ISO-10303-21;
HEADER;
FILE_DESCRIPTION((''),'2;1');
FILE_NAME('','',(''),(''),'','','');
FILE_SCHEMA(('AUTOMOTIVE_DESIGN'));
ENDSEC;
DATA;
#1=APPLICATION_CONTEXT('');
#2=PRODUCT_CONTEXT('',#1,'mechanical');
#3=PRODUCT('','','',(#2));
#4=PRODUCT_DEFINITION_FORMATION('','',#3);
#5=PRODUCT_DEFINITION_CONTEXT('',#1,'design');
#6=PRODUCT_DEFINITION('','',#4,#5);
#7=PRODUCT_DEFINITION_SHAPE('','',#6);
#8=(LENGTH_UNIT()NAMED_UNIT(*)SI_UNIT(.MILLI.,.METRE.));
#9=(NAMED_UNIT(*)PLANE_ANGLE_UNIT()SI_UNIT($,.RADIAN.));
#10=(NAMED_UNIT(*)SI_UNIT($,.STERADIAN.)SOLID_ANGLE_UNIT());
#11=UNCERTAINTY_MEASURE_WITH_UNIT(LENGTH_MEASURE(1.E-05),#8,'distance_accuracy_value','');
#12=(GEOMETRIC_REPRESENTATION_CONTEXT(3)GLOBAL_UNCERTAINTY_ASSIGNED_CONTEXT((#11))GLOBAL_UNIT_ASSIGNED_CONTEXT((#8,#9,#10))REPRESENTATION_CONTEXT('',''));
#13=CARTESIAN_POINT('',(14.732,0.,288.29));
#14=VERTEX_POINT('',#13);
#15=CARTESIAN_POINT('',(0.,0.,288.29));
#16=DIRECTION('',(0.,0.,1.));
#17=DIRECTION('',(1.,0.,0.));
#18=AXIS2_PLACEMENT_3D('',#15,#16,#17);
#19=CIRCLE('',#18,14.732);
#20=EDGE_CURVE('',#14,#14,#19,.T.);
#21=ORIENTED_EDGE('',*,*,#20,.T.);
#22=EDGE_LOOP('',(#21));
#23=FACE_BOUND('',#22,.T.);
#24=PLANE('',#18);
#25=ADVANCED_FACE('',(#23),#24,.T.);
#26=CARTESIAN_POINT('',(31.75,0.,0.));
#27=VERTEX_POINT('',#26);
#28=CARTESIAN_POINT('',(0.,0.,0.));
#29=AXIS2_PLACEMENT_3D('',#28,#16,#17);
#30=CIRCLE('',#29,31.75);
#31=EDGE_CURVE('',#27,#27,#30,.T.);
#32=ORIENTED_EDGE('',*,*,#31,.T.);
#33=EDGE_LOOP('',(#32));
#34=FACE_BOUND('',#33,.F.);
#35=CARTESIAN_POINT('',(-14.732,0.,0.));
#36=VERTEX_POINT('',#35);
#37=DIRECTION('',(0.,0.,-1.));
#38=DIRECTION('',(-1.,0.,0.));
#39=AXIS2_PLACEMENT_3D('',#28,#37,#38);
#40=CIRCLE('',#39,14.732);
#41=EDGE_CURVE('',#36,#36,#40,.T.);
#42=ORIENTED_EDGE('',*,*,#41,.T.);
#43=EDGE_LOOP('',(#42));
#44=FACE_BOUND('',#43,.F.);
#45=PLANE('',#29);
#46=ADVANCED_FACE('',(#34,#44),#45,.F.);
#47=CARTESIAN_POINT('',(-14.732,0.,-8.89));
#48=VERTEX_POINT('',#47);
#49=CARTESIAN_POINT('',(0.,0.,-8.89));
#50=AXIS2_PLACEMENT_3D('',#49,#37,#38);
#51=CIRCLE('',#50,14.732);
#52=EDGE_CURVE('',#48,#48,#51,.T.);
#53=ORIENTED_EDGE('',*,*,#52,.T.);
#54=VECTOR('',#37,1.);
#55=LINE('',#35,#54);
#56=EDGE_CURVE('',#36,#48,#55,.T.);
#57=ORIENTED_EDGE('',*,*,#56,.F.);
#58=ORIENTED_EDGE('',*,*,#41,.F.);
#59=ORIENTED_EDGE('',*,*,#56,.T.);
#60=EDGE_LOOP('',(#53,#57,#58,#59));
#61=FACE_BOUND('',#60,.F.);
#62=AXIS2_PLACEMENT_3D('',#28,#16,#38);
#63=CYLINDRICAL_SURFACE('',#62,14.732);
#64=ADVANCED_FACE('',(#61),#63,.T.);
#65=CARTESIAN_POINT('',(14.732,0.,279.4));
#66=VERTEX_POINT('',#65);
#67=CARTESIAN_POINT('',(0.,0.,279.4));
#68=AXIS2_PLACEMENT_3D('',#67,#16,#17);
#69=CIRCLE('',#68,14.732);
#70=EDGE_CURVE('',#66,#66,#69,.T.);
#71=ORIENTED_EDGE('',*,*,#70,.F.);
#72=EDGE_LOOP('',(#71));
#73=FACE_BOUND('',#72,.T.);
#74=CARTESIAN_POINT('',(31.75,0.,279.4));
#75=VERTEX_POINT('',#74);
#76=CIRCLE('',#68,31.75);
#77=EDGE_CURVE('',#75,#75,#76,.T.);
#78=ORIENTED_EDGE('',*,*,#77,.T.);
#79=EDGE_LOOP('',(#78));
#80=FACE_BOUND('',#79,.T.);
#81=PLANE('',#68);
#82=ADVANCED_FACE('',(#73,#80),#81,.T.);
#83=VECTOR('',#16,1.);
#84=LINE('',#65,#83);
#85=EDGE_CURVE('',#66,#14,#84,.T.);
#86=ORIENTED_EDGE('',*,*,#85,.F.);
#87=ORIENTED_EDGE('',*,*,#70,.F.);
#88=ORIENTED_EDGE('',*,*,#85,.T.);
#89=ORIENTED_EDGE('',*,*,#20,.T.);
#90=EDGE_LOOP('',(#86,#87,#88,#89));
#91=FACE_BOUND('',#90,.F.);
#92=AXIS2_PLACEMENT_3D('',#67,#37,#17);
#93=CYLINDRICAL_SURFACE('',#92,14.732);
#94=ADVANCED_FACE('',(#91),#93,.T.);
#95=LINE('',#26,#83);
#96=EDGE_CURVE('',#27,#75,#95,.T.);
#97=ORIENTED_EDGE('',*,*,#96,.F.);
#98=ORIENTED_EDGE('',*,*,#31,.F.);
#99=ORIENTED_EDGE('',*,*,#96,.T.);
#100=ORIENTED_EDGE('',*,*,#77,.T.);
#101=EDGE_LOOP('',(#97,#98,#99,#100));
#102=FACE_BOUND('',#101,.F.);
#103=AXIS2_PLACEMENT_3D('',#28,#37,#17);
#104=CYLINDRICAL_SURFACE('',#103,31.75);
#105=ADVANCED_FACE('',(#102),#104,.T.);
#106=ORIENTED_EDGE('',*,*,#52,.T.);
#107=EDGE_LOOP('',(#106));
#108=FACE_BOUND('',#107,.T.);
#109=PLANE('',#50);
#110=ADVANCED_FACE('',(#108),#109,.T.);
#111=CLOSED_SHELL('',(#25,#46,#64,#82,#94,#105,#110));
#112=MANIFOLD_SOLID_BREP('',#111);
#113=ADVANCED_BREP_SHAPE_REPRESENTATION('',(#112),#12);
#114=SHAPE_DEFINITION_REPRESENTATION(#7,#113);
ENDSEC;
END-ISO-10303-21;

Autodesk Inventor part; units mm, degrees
ref_plane "YZ Plane" through (0, 0, 0) normal (1, 0, 0) x (0, 1, 0)
ref_plane "XZ Plane" through (0, 0, 0) normal (0, 1, 0) x (-1, 0, 0)
ref_plane "XY Plane" through (0, 0, 0) normal (0, 0, 1) x (1, 0, 0)
sketch "Sketch1" plane through (0, 0, 0) normal (0, 0, 1) x (1, 0, 0)
  circle A0 centre (0, 0) radius 31.75
  dimension "d0" = 63.5
extrude "Extrusion1" add sketch "Sketch1" along normal blind 279.4
sketch "Sketch2" plane through (0, 0, 279.4) normal (0, 0, 1) x (1, 0, 0)
  circle A0 centre (0, 0) radius 14.732
  dimension "d3" = 29.464
extrude "Extrusion2" add sketch "Sketch2" along normal blind 8.89
sketch "Sketch3" plane through (0, 0, 0) normal (0, 0, -1) x (-1, 0, 0)
  circle A0 centre (0, 0) radius 14.732
  dimension "d6" = 29.464
extrude "Extrusion3" add sketch "Sketch3" along normal blind 8.89
properties part number "Air Cylinder"
